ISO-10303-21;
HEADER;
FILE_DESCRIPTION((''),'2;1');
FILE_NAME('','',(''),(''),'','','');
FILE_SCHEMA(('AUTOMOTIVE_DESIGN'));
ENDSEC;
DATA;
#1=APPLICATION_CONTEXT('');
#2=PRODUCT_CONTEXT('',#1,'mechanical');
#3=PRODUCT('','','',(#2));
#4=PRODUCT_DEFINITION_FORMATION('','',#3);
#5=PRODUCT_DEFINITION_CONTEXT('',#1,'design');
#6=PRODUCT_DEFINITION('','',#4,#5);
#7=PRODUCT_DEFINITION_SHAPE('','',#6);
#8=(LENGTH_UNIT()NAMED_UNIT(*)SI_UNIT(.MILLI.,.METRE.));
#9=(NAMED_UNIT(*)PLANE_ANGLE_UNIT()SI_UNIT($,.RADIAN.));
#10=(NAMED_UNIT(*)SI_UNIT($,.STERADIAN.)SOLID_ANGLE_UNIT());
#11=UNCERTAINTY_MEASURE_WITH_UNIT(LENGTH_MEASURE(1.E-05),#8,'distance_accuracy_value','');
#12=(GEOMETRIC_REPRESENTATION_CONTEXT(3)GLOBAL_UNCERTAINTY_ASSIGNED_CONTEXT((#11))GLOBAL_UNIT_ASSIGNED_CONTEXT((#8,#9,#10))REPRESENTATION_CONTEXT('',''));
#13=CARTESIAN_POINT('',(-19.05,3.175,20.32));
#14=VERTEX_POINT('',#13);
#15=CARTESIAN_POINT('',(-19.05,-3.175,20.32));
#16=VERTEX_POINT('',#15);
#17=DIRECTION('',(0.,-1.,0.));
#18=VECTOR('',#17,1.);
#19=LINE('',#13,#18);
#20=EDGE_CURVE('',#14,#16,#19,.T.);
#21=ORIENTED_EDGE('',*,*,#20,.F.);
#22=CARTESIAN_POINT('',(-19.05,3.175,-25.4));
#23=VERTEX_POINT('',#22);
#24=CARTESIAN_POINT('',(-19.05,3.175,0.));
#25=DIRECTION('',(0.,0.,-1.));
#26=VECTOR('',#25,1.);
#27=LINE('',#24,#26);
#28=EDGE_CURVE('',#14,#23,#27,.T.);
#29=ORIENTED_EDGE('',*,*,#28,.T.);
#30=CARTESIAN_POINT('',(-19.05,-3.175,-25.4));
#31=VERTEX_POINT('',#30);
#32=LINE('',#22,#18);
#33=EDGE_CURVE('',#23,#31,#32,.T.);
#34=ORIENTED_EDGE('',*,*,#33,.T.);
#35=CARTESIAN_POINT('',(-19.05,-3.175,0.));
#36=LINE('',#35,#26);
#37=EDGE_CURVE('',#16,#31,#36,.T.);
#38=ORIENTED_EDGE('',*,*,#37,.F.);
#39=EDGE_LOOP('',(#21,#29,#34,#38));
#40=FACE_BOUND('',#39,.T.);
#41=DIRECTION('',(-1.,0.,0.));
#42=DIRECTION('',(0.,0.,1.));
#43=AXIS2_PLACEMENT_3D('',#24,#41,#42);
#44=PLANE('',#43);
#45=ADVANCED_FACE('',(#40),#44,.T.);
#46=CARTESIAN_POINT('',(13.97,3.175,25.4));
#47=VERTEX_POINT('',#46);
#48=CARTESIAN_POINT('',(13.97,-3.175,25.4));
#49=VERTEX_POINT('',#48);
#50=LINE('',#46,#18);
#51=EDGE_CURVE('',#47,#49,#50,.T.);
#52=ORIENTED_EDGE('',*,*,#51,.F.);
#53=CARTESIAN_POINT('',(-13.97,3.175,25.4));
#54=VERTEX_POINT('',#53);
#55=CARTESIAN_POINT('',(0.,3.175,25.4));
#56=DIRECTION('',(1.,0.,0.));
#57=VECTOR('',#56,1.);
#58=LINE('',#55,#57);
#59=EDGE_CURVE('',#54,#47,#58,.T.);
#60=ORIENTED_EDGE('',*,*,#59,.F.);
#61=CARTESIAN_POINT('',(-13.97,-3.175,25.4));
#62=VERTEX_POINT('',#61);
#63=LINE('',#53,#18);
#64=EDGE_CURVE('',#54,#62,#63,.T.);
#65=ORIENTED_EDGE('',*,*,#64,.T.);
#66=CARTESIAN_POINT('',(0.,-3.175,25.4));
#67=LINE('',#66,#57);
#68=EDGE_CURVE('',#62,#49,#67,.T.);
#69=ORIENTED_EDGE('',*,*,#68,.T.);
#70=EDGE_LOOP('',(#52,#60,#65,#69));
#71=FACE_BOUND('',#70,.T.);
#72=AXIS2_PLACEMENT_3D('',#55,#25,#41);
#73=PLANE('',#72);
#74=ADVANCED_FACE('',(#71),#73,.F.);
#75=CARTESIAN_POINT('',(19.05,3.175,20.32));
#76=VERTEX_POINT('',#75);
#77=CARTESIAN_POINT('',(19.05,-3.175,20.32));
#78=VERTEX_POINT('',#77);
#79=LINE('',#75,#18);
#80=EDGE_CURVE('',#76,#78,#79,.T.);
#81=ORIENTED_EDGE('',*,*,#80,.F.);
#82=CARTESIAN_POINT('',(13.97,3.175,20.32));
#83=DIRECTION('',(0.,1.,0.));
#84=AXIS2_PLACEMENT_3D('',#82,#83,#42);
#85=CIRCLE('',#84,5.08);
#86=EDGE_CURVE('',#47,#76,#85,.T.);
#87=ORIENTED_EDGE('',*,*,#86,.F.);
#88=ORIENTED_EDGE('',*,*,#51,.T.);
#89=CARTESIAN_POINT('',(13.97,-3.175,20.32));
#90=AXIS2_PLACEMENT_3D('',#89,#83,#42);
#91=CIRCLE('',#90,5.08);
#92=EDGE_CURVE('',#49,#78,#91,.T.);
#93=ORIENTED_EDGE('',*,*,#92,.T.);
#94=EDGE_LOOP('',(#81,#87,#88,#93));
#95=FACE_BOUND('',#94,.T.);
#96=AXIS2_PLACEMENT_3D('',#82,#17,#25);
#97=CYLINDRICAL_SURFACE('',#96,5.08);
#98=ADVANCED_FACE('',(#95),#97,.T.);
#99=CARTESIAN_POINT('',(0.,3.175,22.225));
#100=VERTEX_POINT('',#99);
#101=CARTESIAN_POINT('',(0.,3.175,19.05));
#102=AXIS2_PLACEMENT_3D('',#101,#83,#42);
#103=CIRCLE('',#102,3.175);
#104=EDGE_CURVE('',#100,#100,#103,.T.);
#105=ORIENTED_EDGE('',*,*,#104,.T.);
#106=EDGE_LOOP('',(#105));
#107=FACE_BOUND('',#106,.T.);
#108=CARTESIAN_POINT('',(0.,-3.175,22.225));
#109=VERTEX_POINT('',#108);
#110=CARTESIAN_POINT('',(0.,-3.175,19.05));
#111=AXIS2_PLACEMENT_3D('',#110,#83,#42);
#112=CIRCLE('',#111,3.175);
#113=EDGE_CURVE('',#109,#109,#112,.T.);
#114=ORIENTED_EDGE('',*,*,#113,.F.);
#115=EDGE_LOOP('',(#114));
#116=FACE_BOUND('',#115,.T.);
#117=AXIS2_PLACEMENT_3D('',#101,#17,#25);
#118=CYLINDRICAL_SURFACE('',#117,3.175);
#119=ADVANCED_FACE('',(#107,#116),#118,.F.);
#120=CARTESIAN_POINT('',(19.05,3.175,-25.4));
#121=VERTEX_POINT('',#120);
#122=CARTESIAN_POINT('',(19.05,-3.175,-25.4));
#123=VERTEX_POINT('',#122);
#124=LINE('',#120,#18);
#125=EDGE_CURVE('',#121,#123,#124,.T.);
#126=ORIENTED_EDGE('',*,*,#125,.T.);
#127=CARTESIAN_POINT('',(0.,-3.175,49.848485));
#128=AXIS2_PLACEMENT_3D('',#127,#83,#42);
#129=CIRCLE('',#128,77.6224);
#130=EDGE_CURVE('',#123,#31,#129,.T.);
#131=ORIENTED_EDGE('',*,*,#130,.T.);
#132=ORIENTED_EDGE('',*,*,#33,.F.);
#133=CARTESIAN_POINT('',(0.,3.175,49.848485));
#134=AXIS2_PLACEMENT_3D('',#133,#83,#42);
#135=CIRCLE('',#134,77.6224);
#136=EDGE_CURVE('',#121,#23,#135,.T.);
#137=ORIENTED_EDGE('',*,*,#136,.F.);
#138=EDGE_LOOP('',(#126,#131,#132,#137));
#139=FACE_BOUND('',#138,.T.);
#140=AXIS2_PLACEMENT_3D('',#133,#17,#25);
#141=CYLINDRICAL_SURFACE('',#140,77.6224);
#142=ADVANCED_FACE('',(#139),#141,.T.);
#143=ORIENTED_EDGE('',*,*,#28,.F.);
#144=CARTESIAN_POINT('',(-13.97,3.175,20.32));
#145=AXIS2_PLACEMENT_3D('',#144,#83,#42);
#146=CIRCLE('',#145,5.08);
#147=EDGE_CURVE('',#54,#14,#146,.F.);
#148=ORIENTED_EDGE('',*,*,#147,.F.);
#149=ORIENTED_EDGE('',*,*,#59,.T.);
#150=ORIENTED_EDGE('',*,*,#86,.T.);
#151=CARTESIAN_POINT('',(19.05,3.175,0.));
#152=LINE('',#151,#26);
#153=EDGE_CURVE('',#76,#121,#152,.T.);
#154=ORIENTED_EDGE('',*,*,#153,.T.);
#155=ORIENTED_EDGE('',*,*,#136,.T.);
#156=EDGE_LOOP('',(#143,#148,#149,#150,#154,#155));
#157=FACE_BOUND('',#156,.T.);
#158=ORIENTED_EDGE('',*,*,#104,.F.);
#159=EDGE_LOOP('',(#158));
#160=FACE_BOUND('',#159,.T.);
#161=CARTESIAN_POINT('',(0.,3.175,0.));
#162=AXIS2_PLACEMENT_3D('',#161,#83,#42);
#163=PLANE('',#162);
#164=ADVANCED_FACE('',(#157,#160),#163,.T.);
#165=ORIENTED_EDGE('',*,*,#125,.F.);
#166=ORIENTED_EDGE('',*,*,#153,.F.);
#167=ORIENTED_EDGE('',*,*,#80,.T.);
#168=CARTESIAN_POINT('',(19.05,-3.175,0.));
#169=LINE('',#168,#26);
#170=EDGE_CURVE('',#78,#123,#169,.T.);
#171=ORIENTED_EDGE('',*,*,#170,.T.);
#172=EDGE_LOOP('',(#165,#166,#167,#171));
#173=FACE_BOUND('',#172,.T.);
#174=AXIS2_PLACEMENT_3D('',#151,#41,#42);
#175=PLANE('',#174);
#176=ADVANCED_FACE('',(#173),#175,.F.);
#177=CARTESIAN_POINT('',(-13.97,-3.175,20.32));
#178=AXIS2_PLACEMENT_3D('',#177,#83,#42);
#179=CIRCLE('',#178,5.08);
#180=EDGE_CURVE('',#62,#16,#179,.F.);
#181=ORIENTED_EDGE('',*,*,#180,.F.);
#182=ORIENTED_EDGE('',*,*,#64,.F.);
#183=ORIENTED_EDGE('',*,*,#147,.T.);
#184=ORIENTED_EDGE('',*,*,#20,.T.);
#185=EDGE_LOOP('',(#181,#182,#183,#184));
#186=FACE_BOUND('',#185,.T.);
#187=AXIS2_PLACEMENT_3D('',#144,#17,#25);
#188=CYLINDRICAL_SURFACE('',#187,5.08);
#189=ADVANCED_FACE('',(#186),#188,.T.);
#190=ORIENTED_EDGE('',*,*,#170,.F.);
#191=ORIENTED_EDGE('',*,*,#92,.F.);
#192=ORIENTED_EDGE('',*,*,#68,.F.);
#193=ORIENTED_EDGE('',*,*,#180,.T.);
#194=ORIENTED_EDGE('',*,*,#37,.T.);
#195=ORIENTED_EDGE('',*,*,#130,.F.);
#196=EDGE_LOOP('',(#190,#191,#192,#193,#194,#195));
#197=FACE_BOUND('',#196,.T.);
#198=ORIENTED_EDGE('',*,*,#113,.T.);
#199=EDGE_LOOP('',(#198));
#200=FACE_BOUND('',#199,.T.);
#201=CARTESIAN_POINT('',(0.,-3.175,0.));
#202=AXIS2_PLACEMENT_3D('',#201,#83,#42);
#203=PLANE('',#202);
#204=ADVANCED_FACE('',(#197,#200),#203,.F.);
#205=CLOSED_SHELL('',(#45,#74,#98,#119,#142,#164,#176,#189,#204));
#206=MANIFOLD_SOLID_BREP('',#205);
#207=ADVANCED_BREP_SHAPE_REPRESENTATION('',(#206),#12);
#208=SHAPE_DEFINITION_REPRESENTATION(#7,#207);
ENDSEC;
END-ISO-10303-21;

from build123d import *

# Parameters (mm, degrees)
SKETCH2_R           = 3.175
BOSS_EXTRUDE1_DEPTH = 3.175


with BuildPart() as part:
    # Sketch2 → Boss-Extrude1 (new, symmetric)
    with BuildSketch(Plane(origin=(0, 0, 0), x_dir=(1, 0, 0), z_dir=(0, 1, 0))):
        with BuildLine():
            ThreePointArc((-19.05, -20.32), (-17.562102448, -23.912102448), (-13.97, -25.4))
            Line((-13.97, -25.4), (13.97, -25.4))
            ThreePointArc((13.97, -25.4), (17.562102448, -23.912102448), (19.05, -20.32))
            Line((19.05, -20.32), (19.05, 25.4))
            ThreePointArc((19.05, 25.4), (0, 27.773915087), (-19.05, 25.4))
            Line((-19.05, 25.4), (-19.05, -20.32))
        make_face()
        with Locations(Location((0, -19.05, 0), (0, 0, 270))):
            Circle(SKETCH2_R, mode=Mode.SUBTRACT)
    extrude(amount=BOSS_EXTRUDE1_DEPTH, both=True)


solid = part.part
